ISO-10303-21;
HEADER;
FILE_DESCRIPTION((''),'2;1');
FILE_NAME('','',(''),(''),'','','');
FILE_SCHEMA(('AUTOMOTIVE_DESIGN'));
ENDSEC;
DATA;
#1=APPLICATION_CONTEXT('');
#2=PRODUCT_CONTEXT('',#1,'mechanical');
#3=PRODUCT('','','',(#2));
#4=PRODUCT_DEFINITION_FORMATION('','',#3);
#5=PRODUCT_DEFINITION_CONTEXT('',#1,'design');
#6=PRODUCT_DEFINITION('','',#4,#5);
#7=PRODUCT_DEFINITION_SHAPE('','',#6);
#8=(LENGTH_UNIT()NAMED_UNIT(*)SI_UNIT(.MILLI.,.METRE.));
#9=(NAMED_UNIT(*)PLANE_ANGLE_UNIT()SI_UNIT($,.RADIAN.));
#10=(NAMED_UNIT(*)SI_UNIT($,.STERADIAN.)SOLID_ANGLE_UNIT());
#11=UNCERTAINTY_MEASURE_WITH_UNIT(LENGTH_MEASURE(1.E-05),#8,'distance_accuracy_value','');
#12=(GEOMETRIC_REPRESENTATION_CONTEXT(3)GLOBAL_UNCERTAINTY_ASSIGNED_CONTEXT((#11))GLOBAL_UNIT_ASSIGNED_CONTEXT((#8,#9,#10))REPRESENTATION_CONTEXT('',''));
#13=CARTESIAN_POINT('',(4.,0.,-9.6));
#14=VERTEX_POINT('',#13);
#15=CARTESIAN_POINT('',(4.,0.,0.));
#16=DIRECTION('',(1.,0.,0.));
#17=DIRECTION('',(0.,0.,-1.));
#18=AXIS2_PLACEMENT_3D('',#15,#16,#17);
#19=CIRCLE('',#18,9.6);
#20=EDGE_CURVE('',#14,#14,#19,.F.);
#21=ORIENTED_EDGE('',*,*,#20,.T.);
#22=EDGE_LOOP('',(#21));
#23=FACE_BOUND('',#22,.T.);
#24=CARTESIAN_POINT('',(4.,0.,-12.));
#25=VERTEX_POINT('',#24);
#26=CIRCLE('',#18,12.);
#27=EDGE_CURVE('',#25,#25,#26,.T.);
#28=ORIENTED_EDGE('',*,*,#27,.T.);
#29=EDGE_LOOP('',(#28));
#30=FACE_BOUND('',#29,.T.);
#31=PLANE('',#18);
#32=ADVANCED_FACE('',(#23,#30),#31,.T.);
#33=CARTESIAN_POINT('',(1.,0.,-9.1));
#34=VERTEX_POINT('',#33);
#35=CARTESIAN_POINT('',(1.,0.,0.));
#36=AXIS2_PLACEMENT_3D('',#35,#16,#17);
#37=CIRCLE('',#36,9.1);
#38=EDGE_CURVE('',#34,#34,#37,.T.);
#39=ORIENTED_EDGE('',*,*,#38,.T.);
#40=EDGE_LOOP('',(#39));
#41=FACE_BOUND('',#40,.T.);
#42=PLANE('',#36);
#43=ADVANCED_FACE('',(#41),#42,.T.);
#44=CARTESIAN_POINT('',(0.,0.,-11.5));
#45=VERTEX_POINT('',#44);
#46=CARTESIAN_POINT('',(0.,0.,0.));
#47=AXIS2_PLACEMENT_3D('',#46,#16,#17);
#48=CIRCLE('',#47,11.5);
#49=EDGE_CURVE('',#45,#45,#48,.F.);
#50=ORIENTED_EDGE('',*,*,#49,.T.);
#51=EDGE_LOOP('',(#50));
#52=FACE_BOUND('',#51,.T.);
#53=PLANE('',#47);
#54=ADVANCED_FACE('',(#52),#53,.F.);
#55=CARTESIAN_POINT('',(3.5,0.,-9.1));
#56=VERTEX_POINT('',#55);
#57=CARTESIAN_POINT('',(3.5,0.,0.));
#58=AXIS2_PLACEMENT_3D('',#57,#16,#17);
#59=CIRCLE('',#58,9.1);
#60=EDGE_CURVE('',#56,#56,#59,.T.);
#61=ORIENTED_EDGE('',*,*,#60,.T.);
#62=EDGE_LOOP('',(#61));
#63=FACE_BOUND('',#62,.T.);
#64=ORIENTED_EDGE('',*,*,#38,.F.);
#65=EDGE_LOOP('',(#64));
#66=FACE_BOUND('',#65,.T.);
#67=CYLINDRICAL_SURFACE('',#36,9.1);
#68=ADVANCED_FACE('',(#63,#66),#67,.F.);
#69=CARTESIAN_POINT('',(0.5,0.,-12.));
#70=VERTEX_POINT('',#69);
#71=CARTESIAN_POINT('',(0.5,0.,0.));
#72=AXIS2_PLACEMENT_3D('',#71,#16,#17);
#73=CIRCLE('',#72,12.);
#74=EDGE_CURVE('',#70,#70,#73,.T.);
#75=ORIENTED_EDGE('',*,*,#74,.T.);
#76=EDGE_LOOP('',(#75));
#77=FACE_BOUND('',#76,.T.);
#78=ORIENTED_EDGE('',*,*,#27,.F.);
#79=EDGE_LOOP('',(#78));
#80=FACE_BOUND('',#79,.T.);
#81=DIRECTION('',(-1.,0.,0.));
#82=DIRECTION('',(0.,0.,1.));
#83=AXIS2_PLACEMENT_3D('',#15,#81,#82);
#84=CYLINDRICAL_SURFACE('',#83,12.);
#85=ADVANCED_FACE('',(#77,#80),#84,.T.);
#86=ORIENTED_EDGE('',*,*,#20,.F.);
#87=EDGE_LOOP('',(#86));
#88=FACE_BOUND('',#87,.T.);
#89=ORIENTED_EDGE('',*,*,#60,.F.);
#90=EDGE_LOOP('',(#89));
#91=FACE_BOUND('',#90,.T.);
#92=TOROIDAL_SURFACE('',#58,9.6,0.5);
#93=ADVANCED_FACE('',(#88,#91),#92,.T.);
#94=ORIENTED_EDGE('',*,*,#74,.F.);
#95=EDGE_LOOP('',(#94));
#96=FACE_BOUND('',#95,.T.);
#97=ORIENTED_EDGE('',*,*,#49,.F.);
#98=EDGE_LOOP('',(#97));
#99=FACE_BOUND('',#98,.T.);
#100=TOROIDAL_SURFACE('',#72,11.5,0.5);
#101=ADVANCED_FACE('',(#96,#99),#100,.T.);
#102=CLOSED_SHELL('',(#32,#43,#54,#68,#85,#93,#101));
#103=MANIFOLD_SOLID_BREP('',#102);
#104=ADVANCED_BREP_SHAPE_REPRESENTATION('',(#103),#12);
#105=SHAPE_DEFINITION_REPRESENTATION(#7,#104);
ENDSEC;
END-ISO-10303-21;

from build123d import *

# Parameters (mm, degrees)
SKETCH_1_R          = 12
EXTRUDE_1_DEPTH     = 4
SKETCH_2_R          = 9.1
CUT_EXTRUDE_1_DEPTH = 3
FILLET_1_R          = 0.5
FILLET_2_R          = 0.5


with BuildPart() as part:
    # 草图1 → 凸台-拉伸1 (new body)
    with BuildSketch(Plane(origin=(0, 0, 0), x_dir=(0, 0, -1), z_dir=(1, 0, 0))):
        Circle(SKETCH_1_R)
    extrude(amount=EXTRUDE_1_DEPTH)

    # 草图2 → 切除-拉伸1 (cut)
    with BuildSketch(Plane(origin=(4, 0, 0), x_dir=(0, 0, -1), z_dir=(1, 0, 0))):
        Circle(SKETCH_2_R)
    extrude(amount=-CUT_EXTRUDE_1_DEPTH, mode=Mode.SUBTRACT)

    # 圆角1
    fillet_1_edges = [part.edges().sort_by_distance(p)[0] for p in [
        (4, 0, 9.1),
    ]]
    fillet(fillet_1_edges, radius=FILLET_1_R)

    # 圆角2
    fillet_2_edges = [part.edges().sort_by_distance(p)[0] for p in [
        (0, 0, 12),
    ]]
    fillet(fillet_2_edges, radius=FILLET_2_R)


solid = part.part
